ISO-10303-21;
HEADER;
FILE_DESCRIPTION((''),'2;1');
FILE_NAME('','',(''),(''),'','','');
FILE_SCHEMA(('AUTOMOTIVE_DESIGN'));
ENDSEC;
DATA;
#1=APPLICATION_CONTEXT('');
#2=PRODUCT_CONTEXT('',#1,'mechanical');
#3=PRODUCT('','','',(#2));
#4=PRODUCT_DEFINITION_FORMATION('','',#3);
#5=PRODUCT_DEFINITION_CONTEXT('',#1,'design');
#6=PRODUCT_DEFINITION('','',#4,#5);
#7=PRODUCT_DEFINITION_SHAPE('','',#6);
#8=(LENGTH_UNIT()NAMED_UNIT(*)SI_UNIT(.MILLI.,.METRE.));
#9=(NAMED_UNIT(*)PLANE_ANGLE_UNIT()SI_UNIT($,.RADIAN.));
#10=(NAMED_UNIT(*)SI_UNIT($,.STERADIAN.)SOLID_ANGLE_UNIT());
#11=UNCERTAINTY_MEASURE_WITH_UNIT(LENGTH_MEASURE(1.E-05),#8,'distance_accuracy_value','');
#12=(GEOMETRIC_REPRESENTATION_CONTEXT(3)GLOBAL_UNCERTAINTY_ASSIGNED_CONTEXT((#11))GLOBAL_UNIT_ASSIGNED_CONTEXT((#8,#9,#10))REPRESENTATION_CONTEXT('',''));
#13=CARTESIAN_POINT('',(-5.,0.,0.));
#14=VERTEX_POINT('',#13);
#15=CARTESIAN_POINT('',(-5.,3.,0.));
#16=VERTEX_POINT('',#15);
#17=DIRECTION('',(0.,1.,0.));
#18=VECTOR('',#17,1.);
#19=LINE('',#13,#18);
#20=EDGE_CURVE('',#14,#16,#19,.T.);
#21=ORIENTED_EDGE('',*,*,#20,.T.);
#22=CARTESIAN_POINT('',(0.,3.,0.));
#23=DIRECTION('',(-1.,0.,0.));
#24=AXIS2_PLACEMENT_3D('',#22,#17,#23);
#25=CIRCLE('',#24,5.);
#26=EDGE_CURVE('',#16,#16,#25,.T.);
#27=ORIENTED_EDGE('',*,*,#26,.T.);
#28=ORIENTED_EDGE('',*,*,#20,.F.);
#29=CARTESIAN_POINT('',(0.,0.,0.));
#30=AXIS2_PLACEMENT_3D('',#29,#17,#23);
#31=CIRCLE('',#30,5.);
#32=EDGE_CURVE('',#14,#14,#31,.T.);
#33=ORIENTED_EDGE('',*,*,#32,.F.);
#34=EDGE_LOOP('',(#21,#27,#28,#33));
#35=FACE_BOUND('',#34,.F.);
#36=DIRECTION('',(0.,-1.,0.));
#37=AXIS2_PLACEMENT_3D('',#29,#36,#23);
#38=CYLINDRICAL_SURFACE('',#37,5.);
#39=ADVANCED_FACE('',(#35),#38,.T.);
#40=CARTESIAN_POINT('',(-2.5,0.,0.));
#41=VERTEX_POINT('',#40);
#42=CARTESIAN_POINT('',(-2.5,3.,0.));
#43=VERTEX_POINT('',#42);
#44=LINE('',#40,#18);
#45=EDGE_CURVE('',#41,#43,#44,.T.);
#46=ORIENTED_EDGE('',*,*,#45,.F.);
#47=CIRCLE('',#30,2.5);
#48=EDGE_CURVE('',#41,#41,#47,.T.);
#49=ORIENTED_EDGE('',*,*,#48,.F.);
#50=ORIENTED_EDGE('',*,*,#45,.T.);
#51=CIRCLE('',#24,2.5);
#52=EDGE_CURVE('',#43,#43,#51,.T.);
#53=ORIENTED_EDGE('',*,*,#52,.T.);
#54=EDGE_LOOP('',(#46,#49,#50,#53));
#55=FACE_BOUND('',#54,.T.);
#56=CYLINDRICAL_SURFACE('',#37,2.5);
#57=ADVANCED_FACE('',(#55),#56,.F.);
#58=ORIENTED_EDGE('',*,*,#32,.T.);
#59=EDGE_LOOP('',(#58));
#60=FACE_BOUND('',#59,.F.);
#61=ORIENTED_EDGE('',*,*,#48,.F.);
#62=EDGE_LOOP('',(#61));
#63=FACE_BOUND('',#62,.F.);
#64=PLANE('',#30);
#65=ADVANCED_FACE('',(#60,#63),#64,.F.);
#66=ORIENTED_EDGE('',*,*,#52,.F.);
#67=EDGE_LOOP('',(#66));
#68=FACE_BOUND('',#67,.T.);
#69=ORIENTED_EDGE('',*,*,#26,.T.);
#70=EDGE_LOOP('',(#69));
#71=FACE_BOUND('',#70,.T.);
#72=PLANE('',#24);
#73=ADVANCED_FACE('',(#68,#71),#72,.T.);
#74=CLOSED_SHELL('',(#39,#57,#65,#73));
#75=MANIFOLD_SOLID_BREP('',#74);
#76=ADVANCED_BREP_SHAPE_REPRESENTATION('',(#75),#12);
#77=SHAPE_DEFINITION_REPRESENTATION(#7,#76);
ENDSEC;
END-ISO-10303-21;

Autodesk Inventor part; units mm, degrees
ref_plane "YZ Plane" through (0, 0, 0) normal (1, 0, 0) x (0, 1, 0)
ref_plane "XZ Plane" through (0, 0, 0) normal (0, 1, 0) x (-1, 0, 0)
ref_plane "XY Plane" through (0, 0, 0) normal (0, 0, 1) x (1, 0, 0)
sketch "Skizze1" plane through (0, 0, 0) normal (0, 1, 0) x (-1, 0, 0)
  circle A0 centre (0, 0) radius 5
  circle A1 centre (0, 0) radius 2.5
  dimension "d0" = 10
  dimension "d1" = 5
extrude "Extrusion1" add sketch "Skizze1" along normal blind 3
properties part number "00_Ringmagnet_10x5x3mm"
